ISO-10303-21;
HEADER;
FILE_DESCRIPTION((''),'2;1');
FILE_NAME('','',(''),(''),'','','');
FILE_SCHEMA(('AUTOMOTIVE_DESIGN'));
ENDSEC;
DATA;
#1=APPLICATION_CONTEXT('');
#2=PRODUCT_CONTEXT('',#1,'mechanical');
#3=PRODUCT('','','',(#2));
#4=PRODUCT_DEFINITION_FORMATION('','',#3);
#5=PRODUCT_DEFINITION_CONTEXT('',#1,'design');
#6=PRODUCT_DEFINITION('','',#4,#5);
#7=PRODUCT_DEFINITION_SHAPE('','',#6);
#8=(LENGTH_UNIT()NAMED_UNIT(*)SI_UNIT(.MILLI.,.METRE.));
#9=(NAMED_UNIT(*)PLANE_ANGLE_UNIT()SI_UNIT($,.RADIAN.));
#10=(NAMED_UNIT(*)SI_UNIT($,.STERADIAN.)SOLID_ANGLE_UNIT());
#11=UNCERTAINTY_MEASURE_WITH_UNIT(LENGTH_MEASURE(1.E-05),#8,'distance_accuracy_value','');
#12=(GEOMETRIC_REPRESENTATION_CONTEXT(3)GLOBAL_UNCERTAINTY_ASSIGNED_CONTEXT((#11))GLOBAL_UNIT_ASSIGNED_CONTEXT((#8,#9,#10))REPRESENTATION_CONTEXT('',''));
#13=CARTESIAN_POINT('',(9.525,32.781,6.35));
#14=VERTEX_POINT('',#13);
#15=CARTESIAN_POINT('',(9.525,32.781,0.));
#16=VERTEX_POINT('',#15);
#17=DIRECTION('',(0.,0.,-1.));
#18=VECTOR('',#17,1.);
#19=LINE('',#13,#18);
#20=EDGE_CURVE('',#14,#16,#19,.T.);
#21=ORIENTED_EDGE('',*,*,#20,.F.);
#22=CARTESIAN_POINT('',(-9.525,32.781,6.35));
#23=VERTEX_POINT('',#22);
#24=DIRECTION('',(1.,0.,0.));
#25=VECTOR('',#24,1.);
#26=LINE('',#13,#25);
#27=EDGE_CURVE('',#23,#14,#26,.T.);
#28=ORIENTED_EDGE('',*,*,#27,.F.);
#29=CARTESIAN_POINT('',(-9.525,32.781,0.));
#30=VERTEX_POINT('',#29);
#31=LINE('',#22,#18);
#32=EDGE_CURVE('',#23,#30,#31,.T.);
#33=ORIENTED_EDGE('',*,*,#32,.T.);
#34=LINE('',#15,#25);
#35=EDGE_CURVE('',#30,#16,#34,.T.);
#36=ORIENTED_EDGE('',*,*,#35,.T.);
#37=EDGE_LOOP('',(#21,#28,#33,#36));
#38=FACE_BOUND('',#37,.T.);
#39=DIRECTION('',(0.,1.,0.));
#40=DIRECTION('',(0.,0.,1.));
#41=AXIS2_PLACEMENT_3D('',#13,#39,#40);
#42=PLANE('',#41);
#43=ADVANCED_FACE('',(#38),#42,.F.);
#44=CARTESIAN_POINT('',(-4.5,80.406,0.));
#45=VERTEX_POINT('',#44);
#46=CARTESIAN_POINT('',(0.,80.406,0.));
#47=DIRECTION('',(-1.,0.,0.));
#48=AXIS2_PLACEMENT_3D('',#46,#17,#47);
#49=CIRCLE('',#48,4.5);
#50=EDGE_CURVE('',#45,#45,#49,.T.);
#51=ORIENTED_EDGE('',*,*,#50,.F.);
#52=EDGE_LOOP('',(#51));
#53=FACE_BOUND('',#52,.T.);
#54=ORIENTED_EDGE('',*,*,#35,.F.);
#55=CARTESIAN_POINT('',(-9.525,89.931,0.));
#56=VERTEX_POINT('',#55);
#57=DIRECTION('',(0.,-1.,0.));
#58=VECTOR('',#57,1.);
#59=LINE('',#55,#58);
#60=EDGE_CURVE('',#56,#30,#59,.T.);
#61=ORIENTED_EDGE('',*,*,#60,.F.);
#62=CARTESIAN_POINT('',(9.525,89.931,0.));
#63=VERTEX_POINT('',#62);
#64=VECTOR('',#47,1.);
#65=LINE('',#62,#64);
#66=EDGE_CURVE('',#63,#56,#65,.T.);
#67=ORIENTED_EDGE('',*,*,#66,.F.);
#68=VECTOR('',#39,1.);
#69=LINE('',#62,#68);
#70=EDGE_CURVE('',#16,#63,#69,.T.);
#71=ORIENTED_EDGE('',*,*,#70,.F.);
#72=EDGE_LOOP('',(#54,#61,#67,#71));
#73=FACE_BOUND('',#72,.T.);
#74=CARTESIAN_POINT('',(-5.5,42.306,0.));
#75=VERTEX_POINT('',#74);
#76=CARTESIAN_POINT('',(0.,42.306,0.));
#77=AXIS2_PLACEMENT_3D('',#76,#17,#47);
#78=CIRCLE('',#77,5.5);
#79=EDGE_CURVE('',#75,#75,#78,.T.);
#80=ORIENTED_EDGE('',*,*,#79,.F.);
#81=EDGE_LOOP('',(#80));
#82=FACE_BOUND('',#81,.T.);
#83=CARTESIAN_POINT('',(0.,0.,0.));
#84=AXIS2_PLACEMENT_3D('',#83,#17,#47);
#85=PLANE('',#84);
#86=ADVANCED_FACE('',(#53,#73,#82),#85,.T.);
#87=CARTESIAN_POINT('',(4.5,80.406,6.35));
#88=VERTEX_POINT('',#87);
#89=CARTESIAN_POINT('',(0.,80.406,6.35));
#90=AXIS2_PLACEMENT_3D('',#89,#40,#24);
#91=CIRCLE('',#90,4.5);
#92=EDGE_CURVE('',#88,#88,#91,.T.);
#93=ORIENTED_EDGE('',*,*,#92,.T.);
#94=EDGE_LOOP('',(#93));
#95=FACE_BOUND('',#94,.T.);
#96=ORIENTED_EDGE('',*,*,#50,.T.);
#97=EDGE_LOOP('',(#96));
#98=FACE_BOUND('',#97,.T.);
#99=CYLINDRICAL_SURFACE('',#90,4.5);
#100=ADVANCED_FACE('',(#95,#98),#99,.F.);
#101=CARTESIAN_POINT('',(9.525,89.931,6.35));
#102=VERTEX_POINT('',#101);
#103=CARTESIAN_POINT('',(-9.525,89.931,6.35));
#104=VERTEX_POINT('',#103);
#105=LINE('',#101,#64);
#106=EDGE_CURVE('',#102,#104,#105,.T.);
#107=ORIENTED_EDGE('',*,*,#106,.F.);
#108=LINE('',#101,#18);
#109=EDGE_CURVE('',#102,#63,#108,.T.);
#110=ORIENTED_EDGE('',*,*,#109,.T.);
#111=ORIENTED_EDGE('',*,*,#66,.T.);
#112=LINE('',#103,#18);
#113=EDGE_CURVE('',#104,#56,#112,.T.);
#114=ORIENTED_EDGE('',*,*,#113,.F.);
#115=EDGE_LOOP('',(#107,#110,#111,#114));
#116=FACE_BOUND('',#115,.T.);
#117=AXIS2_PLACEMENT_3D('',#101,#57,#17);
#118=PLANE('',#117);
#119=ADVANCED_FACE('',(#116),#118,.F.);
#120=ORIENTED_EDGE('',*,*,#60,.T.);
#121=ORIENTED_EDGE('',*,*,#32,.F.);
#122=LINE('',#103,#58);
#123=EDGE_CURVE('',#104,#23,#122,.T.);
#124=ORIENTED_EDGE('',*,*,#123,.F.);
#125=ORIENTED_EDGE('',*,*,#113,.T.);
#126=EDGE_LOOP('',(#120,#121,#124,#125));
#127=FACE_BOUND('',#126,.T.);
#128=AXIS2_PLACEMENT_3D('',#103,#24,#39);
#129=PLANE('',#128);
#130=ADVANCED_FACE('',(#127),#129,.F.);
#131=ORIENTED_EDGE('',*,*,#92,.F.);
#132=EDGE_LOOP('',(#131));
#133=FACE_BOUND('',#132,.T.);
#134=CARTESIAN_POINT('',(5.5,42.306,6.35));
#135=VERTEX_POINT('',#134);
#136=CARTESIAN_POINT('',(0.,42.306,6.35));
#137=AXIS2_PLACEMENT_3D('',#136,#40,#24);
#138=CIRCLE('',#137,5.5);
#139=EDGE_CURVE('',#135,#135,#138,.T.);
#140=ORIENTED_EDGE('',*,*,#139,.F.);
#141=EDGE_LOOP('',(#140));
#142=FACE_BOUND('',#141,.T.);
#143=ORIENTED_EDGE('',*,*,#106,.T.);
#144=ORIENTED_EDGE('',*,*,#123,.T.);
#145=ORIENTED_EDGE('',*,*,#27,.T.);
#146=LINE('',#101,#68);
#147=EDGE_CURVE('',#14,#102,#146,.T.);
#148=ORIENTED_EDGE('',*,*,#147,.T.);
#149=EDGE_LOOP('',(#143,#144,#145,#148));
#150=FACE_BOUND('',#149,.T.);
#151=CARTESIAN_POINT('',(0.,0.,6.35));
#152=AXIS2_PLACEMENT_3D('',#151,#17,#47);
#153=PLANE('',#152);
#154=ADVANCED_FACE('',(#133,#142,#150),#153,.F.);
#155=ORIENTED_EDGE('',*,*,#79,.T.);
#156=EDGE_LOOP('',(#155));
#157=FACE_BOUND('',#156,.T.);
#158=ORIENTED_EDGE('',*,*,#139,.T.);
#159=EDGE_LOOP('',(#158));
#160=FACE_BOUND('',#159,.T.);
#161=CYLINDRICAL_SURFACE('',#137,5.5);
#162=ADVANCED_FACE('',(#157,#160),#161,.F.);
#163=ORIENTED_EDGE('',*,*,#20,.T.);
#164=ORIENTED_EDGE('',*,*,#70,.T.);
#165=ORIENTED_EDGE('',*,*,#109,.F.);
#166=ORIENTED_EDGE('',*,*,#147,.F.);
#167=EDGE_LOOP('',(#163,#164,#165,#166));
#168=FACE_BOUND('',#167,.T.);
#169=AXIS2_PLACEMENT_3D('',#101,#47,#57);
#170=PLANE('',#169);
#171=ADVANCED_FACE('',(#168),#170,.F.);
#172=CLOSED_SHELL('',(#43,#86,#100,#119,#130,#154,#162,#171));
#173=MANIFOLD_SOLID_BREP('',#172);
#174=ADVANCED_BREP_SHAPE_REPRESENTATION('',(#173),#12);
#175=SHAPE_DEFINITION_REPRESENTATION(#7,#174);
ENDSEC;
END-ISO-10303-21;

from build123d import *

# Parameters (mm, degrees)
SKETCH1_W                 = 19.05
SKETCH1_H                 = 57.15
BOSS_EXTRUDE1_DEPTH       = 6.35
M10_CLEARANCE_HOLE1_D     = 11
M10_CLEARANCE_HOLE1_DEPTH = 25.4
M10_CLEARANCE_HOLE1_TIP   = 3.304733405
M8_CLEARANCE_HOLE2_D      = 9
M8_CLEARANCE_HOLE2_DEPTH  = 25.4
M8_CLEARANCE_HOLE2_TIP    = 2.703872786


with BuildPart() as part:
    # Sketch1 → Boss-Extrude1 (new body)
    with BuildSketch(Plane.XY):
        with Locations((0, 61.356)):
            Rectangle(SKETCH1_W, SKETCH1_H)
    extrude(amount=BOSS_EXTRUDE1_DEPTH)

    # M10 Clearance Hole1
    with Locations(Plane.XY.offset(6.35)):
        with Locations((0, 42.306)):
            Hole(M10_CLEARANCE_HOLE1_D / 2, depth=M10_CLEARANCE_HOLE1_DEPTH)
            with Locations((0, 0, -(M10_CLEARANCE_HOLE1_DEPTH + M10_CLEARANCE_HOLE1_TIP / 2))):  # 118° drill point
                Cone(0, M10_CLEARANCE_HOLE1_D / 2, M10_CLEARANCE_HOLE1_TIP, mode=Mode.SUBTRACT)

    # M8 Clearance Hole2
    with Locations(Plane.XY.offset(6.35)):
        with Locations((0, 80.406)):
            Hole(M8_CLEARANCE_HOLE2_D / 2, depth=M8_CLEARANCE_HOLE2_DEPTH)
            with Locations((0, 0, -(M8_CLEARANCE_HOLE2_DEPTH + M8_CLEARANCE_HOLE2_TIP / 2))):  # 118° drill point
                Cone(0, M8_CLEARANCE_HOLE2_D / 2, M8_CLEARANCE_HOLE2_TIP, mode=Mode.SUBTRACT)


solid = part.part
